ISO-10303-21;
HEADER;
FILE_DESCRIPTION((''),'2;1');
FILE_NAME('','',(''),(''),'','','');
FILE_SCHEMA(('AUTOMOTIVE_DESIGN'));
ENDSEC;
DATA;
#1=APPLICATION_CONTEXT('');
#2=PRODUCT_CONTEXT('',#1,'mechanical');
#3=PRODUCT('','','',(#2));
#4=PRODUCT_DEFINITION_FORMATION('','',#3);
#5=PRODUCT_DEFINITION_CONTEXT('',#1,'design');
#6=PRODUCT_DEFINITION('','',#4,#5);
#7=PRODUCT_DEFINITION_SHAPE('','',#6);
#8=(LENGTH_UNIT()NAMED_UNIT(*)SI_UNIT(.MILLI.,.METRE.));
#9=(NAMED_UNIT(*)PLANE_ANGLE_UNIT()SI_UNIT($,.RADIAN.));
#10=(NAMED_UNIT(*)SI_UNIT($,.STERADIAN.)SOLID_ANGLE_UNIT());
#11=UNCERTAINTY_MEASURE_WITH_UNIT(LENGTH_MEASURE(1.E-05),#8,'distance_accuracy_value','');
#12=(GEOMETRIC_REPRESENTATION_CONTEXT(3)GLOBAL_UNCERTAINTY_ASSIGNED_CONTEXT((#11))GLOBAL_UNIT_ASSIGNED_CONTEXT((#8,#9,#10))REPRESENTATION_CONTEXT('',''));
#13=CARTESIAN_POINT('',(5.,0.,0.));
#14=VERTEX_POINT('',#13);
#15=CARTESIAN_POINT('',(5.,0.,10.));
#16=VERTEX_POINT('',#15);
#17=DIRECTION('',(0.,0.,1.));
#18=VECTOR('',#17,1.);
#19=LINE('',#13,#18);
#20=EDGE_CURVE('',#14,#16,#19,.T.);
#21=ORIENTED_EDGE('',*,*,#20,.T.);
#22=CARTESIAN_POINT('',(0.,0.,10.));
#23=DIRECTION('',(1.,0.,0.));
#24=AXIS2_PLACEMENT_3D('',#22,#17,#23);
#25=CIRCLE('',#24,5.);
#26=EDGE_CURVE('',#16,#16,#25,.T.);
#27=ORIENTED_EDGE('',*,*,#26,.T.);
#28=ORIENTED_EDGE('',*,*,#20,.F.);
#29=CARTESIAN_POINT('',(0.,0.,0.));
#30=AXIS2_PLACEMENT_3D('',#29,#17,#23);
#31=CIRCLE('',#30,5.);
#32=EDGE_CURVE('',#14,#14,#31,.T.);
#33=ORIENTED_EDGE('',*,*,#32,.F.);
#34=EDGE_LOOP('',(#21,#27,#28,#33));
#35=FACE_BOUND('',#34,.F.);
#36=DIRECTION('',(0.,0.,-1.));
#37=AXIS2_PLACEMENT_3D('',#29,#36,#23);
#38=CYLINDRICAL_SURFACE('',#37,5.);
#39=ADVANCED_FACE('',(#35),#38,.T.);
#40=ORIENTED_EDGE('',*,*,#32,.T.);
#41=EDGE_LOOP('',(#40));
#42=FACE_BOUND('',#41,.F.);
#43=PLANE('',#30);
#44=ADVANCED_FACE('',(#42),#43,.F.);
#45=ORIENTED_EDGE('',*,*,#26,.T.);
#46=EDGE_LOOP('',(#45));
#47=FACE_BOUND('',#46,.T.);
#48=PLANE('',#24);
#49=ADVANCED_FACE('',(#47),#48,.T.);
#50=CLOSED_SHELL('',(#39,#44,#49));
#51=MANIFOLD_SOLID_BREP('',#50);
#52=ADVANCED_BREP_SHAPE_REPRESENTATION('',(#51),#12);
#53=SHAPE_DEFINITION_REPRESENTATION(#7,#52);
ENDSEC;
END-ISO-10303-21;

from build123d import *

# Parameters (mm, degrees)
SZKIC1_R                    = 5
DODANIE_WYCI_GNI_CIE1_DEPTH = 10


with BuildPart() as part:
    # Szkic1 → Dodanie-wyciągnięcie1 (new body)
    with BuildSketch(Plane.XY):
        Circle(SZKIC1_R)
    extrude(amount=DODANIE_WYCI_GNI_CIE1_DEPTH)


solid = part.part
